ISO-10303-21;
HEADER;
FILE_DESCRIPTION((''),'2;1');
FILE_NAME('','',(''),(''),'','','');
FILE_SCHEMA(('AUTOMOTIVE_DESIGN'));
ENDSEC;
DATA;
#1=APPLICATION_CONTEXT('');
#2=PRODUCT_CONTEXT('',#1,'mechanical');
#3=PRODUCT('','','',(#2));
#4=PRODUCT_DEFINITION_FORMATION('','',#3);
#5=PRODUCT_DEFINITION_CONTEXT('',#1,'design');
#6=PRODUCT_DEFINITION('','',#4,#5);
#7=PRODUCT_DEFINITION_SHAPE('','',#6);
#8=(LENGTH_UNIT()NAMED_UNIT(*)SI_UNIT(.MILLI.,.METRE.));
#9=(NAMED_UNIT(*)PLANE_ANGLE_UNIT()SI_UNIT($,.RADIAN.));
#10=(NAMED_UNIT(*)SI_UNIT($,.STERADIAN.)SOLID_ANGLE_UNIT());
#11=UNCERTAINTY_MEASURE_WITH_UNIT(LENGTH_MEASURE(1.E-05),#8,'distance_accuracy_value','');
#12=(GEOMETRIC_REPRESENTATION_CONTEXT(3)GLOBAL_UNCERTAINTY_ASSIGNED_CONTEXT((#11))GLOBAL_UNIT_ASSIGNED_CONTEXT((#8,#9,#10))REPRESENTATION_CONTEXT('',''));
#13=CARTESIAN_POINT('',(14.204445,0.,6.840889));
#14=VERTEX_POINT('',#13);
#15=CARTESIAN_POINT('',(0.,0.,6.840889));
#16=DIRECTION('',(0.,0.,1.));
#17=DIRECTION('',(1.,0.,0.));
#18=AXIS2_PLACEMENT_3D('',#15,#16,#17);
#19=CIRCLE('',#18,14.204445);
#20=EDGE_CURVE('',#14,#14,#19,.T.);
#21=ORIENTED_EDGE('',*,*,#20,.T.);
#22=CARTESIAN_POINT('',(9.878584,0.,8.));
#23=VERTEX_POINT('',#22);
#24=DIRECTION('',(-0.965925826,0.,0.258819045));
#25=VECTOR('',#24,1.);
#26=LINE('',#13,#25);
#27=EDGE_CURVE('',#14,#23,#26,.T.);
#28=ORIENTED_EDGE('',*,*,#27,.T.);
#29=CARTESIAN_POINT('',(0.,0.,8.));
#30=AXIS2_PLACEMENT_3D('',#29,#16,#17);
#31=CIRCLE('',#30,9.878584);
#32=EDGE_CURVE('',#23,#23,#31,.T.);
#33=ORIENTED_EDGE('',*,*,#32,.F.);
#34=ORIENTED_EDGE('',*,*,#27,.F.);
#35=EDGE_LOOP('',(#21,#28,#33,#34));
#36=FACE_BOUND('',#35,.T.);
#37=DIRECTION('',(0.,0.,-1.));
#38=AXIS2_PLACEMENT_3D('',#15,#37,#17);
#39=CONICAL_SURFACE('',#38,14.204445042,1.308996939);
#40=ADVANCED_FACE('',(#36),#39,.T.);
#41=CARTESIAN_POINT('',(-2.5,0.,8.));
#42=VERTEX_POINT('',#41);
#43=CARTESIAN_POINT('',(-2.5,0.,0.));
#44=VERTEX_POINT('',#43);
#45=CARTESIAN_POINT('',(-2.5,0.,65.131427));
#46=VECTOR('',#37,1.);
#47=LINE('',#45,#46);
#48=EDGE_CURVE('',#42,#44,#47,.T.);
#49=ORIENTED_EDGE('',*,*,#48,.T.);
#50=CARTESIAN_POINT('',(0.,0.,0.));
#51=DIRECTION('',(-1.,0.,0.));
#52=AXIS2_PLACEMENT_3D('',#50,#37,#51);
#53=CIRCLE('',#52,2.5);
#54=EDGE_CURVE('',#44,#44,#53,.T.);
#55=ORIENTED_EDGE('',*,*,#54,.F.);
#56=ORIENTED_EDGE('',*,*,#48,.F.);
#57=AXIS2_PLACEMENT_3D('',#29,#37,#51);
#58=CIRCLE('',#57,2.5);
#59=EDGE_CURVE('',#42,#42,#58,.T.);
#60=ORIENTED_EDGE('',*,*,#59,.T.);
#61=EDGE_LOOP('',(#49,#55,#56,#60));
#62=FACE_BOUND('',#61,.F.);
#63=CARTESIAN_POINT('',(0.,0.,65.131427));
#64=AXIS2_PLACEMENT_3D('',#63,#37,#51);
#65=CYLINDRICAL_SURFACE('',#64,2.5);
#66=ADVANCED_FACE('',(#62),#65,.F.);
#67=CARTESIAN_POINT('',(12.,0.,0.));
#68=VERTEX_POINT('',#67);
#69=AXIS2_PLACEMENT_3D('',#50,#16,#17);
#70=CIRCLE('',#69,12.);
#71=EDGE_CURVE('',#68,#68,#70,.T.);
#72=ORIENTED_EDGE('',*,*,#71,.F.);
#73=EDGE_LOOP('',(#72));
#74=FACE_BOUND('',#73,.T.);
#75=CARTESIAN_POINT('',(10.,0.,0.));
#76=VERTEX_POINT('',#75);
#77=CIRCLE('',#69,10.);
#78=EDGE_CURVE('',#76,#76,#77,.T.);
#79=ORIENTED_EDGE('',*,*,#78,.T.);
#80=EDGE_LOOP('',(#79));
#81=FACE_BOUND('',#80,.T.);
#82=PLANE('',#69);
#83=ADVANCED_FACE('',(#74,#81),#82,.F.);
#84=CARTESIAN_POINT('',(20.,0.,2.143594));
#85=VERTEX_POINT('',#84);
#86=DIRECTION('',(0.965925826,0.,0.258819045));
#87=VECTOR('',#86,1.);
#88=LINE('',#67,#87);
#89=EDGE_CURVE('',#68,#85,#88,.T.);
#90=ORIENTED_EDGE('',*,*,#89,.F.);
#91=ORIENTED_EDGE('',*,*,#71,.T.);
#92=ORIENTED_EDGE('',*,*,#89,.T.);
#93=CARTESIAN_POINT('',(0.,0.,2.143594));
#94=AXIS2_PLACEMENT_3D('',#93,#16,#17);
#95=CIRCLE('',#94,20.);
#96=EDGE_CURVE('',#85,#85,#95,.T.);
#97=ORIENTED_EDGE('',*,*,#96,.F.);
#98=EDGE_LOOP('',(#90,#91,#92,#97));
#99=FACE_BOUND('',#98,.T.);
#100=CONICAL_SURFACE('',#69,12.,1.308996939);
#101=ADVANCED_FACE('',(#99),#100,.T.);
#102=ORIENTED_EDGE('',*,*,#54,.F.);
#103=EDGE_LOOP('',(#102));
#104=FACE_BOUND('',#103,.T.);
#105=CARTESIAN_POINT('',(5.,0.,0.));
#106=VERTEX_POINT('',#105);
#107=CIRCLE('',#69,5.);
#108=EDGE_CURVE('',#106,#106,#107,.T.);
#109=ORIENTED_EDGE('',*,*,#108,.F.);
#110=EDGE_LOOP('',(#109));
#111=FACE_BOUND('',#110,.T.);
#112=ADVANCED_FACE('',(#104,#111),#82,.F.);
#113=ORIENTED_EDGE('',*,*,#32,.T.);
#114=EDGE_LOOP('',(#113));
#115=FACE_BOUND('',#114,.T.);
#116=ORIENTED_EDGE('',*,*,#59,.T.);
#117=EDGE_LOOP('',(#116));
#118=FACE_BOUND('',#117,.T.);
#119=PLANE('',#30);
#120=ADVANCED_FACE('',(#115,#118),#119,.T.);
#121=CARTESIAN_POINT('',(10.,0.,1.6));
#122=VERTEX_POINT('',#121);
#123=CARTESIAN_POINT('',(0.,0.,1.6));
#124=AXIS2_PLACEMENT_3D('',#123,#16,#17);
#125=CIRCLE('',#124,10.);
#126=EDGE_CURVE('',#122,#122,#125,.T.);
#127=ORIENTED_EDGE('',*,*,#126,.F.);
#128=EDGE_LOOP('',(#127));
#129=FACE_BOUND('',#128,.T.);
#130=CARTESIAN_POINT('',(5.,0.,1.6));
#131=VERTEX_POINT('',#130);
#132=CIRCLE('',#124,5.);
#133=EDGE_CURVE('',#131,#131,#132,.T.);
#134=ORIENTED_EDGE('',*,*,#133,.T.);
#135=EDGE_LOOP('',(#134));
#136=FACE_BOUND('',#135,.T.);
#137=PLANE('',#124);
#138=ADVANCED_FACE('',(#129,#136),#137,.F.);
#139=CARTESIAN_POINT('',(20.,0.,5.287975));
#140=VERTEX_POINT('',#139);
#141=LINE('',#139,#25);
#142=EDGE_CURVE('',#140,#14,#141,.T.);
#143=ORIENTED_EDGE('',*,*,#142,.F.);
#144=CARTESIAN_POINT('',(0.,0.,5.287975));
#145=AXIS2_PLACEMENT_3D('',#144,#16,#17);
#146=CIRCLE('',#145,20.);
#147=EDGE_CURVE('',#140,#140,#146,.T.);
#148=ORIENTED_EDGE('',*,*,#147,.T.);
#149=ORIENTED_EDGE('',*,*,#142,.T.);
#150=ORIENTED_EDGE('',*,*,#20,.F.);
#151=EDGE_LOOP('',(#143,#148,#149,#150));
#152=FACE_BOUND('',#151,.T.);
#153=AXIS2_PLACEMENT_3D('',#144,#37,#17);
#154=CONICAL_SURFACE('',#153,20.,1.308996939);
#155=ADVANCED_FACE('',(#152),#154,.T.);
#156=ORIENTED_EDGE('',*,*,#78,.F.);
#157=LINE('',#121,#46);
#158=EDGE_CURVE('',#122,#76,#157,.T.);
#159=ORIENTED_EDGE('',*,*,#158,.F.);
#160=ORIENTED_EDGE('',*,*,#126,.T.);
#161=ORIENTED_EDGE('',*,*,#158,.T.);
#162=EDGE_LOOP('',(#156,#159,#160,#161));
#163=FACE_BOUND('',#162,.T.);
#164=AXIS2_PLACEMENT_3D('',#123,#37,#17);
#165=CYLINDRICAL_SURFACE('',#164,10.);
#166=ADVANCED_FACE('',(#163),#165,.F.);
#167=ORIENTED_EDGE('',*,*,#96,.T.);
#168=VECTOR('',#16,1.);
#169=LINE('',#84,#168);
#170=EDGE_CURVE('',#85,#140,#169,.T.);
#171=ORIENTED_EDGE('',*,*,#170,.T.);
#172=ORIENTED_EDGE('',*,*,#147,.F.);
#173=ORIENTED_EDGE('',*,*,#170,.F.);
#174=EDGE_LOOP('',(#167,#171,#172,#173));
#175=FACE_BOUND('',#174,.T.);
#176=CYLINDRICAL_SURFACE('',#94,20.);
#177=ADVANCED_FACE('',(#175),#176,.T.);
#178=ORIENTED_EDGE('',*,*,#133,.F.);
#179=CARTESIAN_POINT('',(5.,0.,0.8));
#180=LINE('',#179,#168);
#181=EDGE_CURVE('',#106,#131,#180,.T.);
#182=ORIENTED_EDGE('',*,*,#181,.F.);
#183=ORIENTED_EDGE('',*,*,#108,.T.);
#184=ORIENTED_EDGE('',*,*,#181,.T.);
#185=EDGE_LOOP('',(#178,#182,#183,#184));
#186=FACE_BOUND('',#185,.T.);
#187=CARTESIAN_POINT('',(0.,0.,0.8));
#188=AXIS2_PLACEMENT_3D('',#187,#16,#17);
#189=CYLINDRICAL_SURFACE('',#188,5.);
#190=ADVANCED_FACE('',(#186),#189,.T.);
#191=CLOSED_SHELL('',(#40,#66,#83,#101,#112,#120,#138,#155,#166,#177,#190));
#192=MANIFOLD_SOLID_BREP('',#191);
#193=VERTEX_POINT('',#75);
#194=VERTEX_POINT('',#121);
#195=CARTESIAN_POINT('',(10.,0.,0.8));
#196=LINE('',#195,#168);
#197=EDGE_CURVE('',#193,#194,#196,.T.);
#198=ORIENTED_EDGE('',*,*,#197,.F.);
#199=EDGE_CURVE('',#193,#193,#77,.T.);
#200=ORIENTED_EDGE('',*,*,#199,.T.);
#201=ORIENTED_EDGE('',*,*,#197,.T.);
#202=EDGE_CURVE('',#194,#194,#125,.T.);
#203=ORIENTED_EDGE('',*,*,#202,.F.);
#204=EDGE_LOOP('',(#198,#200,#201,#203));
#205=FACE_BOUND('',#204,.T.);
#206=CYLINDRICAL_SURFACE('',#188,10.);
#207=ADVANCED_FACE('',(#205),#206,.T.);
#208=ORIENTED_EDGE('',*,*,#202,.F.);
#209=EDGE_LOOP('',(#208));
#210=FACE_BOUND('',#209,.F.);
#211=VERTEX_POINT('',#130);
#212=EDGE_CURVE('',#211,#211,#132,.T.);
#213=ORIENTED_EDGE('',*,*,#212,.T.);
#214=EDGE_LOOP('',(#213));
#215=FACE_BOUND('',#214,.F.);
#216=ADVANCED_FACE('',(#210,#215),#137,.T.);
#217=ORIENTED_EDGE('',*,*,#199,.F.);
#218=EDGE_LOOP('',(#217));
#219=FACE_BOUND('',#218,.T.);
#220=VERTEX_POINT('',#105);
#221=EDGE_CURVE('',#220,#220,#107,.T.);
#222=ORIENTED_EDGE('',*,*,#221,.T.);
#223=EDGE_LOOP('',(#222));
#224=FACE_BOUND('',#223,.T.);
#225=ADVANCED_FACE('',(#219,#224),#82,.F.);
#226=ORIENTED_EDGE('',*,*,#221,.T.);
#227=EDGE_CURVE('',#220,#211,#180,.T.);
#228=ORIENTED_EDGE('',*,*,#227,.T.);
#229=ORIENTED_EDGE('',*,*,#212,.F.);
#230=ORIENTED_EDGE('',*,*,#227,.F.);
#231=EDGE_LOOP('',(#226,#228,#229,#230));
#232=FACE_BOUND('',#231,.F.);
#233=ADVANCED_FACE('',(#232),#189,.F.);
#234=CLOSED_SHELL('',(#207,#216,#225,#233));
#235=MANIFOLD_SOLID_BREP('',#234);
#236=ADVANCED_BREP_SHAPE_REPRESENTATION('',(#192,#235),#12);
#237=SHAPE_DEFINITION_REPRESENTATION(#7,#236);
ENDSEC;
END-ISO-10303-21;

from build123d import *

# Parameters (mm, degrees)
F0_W = 5
F0_H = 1.6
F4_D = 5


with BuildPart() as f1:
    # F0 (on Front) → F1 (revolve)
    with BuildSketch(Plane.XZ):
        with Locations((7.5, 0.8)):
            Rectangle(F0_W, F0_H)
    revolve(axis=Axis((0, 0, 0.8), (0, 0, 1)))


with BuildPart() as f2:
    # F0 (on Front) → F2 (revolve)
    with BuildSketch(Plane.XZ):
        Polygon((0, 8), (0, 1.6), (5, 1.6), (10, 1.6), (10, 0), (12, 0), (20, 2.1435935394), (20, 5.2879747378), (14.2044450423, 6.8408890085), (9.8785839302, 8), align=None)
        with Locations((2.5, 0.8)):
            Rectangle(F0_W, F0_H)
    revolve(axis=Axis((0, 0, 4), (0, 0, 1)))

    # F4 (through all)
    with Locations(Plane.XY.offset(8)):
        with Locations((0, 0)):
            Hole(F4_D / 2)


solid = Compound([f1.part, f2.part])
